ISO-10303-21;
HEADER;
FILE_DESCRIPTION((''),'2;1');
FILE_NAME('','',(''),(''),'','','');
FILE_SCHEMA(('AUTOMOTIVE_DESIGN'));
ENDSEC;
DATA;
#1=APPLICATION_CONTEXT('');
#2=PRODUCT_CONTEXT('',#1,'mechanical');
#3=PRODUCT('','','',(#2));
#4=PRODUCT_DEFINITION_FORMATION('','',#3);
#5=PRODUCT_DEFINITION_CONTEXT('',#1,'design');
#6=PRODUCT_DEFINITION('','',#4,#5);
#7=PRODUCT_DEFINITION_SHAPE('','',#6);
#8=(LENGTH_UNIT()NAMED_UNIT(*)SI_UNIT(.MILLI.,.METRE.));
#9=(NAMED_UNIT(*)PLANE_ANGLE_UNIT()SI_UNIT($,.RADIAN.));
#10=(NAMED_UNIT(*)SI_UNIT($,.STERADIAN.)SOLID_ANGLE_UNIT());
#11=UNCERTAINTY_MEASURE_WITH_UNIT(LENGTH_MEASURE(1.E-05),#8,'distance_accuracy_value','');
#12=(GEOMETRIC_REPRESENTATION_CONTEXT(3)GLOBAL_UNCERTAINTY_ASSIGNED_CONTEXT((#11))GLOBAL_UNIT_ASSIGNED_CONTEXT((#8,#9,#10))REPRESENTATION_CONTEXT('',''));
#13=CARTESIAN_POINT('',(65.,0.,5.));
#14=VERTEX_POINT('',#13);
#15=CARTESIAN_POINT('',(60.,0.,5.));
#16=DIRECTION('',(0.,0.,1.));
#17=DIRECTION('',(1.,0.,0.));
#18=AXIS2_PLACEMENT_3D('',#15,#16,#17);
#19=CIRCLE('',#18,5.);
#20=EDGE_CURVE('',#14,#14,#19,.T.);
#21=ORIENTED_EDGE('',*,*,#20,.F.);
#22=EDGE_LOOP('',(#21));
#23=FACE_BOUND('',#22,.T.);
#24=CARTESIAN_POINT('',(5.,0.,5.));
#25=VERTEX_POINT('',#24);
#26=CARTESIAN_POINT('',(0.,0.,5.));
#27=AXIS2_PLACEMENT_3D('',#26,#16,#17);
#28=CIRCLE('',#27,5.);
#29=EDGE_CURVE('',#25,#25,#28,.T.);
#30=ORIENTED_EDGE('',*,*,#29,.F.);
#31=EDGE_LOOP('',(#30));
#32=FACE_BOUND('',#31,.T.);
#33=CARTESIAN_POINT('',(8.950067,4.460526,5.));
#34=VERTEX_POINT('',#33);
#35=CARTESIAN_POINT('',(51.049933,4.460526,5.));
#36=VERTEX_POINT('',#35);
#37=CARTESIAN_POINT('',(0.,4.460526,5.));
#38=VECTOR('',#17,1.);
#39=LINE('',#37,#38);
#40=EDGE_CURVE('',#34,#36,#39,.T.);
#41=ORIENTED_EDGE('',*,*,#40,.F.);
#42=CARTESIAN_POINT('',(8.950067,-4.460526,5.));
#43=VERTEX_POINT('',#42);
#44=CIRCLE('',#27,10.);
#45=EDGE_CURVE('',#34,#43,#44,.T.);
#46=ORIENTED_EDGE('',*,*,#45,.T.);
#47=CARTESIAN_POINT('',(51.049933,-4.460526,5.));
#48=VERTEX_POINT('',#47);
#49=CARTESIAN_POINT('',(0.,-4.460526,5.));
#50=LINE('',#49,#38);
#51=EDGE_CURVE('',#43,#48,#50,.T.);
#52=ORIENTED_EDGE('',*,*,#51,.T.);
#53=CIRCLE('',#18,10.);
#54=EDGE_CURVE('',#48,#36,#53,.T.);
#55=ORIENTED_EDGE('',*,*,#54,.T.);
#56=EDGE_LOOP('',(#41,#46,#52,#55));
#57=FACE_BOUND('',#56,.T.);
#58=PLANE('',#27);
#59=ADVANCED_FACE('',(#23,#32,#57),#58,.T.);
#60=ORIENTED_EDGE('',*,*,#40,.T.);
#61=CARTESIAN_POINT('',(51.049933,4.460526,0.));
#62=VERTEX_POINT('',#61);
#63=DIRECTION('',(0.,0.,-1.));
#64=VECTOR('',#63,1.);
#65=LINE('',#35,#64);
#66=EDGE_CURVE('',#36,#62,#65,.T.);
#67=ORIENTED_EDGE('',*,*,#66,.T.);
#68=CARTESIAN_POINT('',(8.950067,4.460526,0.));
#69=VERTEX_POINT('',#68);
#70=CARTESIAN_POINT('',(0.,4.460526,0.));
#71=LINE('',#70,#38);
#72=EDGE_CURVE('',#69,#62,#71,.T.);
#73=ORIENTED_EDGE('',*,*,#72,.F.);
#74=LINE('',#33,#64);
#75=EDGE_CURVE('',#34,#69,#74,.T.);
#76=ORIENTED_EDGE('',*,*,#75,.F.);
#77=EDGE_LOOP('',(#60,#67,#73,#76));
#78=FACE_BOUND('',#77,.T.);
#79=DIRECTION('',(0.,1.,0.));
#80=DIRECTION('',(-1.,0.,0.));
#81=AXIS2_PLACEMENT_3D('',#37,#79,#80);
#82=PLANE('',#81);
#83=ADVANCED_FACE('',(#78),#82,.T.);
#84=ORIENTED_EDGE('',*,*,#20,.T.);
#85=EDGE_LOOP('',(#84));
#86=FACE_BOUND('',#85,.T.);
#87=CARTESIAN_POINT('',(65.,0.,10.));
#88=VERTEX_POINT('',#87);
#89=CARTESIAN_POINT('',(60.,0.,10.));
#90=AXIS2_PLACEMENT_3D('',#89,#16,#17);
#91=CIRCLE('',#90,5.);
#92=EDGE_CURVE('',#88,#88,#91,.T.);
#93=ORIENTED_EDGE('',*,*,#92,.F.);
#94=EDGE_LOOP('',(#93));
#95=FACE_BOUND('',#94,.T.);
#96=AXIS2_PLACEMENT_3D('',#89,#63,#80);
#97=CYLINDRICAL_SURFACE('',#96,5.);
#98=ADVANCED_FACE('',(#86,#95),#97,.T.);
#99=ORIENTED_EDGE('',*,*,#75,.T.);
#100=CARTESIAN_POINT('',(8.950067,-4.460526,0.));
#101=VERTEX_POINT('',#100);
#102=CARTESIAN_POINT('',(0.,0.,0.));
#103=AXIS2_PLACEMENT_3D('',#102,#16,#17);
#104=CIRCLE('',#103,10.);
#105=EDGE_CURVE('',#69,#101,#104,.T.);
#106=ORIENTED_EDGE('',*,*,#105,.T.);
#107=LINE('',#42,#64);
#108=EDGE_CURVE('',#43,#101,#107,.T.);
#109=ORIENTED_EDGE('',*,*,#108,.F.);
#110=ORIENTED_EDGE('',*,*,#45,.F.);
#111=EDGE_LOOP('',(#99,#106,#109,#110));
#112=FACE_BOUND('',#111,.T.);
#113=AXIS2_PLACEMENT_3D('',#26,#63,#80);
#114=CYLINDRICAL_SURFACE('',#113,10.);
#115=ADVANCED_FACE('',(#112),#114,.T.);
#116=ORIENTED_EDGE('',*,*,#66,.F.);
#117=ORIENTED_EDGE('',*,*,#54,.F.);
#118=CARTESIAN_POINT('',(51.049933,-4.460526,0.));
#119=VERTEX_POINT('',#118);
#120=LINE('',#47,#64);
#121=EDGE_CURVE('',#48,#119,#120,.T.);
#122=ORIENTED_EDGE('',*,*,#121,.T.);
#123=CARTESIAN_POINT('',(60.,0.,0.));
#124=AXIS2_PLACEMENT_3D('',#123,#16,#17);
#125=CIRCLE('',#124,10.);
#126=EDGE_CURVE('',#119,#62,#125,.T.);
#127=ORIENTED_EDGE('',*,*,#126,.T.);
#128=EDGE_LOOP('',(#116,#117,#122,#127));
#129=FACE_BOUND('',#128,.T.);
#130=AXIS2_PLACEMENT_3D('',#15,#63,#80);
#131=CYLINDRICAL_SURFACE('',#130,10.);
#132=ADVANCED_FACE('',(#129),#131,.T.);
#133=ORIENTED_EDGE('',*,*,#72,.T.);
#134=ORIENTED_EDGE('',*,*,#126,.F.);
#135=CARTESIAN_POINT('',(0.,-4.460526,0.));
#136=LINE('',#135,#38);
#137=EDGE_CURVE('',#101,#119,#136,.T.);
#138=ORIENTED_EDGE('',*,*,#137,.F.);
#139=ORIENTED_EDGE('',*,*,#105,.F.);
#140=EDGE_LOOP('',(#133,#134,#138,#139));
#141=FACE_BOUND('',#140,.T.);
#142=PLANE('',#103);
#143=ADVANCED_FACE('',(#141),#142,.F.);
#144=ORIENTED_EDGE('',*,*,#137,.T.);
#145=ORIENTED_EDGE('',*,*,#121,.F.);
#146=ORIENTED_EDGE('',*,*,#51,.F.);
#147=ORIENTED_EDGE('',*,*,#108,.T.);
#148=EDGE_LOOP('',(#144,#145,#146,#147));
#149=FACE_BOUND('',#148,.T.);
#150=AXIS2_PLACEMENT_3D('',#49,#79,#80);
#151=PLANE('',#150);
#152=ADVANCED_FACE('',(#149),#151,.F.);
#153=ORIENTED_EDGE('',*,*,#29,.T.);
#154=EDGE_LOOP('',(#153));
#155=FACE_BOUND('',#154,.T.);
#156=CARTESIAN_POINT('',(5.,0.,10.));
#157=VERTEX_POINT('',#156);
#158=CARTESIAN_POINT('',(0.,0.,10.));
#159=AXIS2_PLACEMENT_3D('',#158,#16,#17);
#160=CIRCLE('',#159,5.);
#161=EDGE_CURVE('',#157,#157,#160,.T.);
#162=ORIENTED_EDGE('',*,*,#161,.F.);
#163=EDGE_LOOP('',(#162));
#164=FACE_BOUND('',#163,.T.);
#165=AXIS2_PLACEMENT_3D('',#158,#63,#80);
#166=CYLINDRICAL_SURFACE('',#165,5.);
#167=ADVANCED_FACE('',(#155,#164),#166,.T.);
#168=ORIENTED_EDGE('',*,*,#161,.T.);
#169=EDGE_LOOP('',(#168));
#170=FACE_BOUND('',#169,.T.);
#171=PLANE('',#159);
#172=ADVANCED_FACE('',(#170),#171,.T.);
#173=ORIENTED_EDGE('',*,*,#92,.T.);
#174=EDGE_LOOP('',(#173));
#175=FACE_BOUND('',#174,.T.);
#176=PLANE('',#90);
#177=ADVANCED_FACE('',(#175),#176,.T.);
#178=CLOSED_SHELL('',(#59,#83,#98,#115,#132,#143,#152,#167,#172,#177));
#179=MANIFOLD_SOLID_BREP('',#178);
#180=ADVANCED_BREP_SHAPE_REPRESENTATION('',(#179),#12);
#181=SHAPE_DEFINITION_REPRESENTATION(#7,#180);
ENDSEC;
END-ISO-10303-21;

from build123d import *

# Parameters (mm, degrees)
SKETCH_1_R      = 10
EXTRUDE_3_DEPTH = 5
SKETCH_3_R      = 5
EXTRUDE_4_DEPTH = 5
SKETCH_4_R      = 5
EXTRUDE_5_DEPTH = 5


with BuildPart() as part:
    # 草图1 → 凸台-拉伸3 (new body)
    with BuildSketch(Plane.XY):
        Circle(SKETCH_1_R)
        with BuildLine():
            Line((51.049932735, 4.46052642), (8.950067265, 4.46052642))
            ThreePointArc((8.950067265, 4.46052642), (9.733978443, 2.291214454), (10, 0))
            ThreePointArc((10, 0), (9.733978443, -2.291214454), (8.950067265, -4.46052642))
            Line((8.950067265, -4.46052642), (51.049932735, -4.46052642))
            ThreePointArc((51.049932735, -4.46052642), (50, 0), (51.049932735, 4.46052642))
        make_face()
        with Locations((60, 0)):
            Circle(SKETCH_1_R)
    extrude(amount=EXTRUDE_3_DEPTH)

    # 草图3 → 凸台-拉伸4 (add)
    with BuildSketch(Plane.XY.offset(5)):
        with Locations((60, 0)):
            Circle(SKETCH_3_R)
    extrude(amount=EXTRUDE_4_DEPTH)

    # 草图4 → 凸台-拉伸5 (add)
    with BuildSketch(Plane.XY.offset(5)):
        Circle(SKETCH_4_R)
    extrude(amount=EXTRUDE_5_DEPTH)


solid = part.part
